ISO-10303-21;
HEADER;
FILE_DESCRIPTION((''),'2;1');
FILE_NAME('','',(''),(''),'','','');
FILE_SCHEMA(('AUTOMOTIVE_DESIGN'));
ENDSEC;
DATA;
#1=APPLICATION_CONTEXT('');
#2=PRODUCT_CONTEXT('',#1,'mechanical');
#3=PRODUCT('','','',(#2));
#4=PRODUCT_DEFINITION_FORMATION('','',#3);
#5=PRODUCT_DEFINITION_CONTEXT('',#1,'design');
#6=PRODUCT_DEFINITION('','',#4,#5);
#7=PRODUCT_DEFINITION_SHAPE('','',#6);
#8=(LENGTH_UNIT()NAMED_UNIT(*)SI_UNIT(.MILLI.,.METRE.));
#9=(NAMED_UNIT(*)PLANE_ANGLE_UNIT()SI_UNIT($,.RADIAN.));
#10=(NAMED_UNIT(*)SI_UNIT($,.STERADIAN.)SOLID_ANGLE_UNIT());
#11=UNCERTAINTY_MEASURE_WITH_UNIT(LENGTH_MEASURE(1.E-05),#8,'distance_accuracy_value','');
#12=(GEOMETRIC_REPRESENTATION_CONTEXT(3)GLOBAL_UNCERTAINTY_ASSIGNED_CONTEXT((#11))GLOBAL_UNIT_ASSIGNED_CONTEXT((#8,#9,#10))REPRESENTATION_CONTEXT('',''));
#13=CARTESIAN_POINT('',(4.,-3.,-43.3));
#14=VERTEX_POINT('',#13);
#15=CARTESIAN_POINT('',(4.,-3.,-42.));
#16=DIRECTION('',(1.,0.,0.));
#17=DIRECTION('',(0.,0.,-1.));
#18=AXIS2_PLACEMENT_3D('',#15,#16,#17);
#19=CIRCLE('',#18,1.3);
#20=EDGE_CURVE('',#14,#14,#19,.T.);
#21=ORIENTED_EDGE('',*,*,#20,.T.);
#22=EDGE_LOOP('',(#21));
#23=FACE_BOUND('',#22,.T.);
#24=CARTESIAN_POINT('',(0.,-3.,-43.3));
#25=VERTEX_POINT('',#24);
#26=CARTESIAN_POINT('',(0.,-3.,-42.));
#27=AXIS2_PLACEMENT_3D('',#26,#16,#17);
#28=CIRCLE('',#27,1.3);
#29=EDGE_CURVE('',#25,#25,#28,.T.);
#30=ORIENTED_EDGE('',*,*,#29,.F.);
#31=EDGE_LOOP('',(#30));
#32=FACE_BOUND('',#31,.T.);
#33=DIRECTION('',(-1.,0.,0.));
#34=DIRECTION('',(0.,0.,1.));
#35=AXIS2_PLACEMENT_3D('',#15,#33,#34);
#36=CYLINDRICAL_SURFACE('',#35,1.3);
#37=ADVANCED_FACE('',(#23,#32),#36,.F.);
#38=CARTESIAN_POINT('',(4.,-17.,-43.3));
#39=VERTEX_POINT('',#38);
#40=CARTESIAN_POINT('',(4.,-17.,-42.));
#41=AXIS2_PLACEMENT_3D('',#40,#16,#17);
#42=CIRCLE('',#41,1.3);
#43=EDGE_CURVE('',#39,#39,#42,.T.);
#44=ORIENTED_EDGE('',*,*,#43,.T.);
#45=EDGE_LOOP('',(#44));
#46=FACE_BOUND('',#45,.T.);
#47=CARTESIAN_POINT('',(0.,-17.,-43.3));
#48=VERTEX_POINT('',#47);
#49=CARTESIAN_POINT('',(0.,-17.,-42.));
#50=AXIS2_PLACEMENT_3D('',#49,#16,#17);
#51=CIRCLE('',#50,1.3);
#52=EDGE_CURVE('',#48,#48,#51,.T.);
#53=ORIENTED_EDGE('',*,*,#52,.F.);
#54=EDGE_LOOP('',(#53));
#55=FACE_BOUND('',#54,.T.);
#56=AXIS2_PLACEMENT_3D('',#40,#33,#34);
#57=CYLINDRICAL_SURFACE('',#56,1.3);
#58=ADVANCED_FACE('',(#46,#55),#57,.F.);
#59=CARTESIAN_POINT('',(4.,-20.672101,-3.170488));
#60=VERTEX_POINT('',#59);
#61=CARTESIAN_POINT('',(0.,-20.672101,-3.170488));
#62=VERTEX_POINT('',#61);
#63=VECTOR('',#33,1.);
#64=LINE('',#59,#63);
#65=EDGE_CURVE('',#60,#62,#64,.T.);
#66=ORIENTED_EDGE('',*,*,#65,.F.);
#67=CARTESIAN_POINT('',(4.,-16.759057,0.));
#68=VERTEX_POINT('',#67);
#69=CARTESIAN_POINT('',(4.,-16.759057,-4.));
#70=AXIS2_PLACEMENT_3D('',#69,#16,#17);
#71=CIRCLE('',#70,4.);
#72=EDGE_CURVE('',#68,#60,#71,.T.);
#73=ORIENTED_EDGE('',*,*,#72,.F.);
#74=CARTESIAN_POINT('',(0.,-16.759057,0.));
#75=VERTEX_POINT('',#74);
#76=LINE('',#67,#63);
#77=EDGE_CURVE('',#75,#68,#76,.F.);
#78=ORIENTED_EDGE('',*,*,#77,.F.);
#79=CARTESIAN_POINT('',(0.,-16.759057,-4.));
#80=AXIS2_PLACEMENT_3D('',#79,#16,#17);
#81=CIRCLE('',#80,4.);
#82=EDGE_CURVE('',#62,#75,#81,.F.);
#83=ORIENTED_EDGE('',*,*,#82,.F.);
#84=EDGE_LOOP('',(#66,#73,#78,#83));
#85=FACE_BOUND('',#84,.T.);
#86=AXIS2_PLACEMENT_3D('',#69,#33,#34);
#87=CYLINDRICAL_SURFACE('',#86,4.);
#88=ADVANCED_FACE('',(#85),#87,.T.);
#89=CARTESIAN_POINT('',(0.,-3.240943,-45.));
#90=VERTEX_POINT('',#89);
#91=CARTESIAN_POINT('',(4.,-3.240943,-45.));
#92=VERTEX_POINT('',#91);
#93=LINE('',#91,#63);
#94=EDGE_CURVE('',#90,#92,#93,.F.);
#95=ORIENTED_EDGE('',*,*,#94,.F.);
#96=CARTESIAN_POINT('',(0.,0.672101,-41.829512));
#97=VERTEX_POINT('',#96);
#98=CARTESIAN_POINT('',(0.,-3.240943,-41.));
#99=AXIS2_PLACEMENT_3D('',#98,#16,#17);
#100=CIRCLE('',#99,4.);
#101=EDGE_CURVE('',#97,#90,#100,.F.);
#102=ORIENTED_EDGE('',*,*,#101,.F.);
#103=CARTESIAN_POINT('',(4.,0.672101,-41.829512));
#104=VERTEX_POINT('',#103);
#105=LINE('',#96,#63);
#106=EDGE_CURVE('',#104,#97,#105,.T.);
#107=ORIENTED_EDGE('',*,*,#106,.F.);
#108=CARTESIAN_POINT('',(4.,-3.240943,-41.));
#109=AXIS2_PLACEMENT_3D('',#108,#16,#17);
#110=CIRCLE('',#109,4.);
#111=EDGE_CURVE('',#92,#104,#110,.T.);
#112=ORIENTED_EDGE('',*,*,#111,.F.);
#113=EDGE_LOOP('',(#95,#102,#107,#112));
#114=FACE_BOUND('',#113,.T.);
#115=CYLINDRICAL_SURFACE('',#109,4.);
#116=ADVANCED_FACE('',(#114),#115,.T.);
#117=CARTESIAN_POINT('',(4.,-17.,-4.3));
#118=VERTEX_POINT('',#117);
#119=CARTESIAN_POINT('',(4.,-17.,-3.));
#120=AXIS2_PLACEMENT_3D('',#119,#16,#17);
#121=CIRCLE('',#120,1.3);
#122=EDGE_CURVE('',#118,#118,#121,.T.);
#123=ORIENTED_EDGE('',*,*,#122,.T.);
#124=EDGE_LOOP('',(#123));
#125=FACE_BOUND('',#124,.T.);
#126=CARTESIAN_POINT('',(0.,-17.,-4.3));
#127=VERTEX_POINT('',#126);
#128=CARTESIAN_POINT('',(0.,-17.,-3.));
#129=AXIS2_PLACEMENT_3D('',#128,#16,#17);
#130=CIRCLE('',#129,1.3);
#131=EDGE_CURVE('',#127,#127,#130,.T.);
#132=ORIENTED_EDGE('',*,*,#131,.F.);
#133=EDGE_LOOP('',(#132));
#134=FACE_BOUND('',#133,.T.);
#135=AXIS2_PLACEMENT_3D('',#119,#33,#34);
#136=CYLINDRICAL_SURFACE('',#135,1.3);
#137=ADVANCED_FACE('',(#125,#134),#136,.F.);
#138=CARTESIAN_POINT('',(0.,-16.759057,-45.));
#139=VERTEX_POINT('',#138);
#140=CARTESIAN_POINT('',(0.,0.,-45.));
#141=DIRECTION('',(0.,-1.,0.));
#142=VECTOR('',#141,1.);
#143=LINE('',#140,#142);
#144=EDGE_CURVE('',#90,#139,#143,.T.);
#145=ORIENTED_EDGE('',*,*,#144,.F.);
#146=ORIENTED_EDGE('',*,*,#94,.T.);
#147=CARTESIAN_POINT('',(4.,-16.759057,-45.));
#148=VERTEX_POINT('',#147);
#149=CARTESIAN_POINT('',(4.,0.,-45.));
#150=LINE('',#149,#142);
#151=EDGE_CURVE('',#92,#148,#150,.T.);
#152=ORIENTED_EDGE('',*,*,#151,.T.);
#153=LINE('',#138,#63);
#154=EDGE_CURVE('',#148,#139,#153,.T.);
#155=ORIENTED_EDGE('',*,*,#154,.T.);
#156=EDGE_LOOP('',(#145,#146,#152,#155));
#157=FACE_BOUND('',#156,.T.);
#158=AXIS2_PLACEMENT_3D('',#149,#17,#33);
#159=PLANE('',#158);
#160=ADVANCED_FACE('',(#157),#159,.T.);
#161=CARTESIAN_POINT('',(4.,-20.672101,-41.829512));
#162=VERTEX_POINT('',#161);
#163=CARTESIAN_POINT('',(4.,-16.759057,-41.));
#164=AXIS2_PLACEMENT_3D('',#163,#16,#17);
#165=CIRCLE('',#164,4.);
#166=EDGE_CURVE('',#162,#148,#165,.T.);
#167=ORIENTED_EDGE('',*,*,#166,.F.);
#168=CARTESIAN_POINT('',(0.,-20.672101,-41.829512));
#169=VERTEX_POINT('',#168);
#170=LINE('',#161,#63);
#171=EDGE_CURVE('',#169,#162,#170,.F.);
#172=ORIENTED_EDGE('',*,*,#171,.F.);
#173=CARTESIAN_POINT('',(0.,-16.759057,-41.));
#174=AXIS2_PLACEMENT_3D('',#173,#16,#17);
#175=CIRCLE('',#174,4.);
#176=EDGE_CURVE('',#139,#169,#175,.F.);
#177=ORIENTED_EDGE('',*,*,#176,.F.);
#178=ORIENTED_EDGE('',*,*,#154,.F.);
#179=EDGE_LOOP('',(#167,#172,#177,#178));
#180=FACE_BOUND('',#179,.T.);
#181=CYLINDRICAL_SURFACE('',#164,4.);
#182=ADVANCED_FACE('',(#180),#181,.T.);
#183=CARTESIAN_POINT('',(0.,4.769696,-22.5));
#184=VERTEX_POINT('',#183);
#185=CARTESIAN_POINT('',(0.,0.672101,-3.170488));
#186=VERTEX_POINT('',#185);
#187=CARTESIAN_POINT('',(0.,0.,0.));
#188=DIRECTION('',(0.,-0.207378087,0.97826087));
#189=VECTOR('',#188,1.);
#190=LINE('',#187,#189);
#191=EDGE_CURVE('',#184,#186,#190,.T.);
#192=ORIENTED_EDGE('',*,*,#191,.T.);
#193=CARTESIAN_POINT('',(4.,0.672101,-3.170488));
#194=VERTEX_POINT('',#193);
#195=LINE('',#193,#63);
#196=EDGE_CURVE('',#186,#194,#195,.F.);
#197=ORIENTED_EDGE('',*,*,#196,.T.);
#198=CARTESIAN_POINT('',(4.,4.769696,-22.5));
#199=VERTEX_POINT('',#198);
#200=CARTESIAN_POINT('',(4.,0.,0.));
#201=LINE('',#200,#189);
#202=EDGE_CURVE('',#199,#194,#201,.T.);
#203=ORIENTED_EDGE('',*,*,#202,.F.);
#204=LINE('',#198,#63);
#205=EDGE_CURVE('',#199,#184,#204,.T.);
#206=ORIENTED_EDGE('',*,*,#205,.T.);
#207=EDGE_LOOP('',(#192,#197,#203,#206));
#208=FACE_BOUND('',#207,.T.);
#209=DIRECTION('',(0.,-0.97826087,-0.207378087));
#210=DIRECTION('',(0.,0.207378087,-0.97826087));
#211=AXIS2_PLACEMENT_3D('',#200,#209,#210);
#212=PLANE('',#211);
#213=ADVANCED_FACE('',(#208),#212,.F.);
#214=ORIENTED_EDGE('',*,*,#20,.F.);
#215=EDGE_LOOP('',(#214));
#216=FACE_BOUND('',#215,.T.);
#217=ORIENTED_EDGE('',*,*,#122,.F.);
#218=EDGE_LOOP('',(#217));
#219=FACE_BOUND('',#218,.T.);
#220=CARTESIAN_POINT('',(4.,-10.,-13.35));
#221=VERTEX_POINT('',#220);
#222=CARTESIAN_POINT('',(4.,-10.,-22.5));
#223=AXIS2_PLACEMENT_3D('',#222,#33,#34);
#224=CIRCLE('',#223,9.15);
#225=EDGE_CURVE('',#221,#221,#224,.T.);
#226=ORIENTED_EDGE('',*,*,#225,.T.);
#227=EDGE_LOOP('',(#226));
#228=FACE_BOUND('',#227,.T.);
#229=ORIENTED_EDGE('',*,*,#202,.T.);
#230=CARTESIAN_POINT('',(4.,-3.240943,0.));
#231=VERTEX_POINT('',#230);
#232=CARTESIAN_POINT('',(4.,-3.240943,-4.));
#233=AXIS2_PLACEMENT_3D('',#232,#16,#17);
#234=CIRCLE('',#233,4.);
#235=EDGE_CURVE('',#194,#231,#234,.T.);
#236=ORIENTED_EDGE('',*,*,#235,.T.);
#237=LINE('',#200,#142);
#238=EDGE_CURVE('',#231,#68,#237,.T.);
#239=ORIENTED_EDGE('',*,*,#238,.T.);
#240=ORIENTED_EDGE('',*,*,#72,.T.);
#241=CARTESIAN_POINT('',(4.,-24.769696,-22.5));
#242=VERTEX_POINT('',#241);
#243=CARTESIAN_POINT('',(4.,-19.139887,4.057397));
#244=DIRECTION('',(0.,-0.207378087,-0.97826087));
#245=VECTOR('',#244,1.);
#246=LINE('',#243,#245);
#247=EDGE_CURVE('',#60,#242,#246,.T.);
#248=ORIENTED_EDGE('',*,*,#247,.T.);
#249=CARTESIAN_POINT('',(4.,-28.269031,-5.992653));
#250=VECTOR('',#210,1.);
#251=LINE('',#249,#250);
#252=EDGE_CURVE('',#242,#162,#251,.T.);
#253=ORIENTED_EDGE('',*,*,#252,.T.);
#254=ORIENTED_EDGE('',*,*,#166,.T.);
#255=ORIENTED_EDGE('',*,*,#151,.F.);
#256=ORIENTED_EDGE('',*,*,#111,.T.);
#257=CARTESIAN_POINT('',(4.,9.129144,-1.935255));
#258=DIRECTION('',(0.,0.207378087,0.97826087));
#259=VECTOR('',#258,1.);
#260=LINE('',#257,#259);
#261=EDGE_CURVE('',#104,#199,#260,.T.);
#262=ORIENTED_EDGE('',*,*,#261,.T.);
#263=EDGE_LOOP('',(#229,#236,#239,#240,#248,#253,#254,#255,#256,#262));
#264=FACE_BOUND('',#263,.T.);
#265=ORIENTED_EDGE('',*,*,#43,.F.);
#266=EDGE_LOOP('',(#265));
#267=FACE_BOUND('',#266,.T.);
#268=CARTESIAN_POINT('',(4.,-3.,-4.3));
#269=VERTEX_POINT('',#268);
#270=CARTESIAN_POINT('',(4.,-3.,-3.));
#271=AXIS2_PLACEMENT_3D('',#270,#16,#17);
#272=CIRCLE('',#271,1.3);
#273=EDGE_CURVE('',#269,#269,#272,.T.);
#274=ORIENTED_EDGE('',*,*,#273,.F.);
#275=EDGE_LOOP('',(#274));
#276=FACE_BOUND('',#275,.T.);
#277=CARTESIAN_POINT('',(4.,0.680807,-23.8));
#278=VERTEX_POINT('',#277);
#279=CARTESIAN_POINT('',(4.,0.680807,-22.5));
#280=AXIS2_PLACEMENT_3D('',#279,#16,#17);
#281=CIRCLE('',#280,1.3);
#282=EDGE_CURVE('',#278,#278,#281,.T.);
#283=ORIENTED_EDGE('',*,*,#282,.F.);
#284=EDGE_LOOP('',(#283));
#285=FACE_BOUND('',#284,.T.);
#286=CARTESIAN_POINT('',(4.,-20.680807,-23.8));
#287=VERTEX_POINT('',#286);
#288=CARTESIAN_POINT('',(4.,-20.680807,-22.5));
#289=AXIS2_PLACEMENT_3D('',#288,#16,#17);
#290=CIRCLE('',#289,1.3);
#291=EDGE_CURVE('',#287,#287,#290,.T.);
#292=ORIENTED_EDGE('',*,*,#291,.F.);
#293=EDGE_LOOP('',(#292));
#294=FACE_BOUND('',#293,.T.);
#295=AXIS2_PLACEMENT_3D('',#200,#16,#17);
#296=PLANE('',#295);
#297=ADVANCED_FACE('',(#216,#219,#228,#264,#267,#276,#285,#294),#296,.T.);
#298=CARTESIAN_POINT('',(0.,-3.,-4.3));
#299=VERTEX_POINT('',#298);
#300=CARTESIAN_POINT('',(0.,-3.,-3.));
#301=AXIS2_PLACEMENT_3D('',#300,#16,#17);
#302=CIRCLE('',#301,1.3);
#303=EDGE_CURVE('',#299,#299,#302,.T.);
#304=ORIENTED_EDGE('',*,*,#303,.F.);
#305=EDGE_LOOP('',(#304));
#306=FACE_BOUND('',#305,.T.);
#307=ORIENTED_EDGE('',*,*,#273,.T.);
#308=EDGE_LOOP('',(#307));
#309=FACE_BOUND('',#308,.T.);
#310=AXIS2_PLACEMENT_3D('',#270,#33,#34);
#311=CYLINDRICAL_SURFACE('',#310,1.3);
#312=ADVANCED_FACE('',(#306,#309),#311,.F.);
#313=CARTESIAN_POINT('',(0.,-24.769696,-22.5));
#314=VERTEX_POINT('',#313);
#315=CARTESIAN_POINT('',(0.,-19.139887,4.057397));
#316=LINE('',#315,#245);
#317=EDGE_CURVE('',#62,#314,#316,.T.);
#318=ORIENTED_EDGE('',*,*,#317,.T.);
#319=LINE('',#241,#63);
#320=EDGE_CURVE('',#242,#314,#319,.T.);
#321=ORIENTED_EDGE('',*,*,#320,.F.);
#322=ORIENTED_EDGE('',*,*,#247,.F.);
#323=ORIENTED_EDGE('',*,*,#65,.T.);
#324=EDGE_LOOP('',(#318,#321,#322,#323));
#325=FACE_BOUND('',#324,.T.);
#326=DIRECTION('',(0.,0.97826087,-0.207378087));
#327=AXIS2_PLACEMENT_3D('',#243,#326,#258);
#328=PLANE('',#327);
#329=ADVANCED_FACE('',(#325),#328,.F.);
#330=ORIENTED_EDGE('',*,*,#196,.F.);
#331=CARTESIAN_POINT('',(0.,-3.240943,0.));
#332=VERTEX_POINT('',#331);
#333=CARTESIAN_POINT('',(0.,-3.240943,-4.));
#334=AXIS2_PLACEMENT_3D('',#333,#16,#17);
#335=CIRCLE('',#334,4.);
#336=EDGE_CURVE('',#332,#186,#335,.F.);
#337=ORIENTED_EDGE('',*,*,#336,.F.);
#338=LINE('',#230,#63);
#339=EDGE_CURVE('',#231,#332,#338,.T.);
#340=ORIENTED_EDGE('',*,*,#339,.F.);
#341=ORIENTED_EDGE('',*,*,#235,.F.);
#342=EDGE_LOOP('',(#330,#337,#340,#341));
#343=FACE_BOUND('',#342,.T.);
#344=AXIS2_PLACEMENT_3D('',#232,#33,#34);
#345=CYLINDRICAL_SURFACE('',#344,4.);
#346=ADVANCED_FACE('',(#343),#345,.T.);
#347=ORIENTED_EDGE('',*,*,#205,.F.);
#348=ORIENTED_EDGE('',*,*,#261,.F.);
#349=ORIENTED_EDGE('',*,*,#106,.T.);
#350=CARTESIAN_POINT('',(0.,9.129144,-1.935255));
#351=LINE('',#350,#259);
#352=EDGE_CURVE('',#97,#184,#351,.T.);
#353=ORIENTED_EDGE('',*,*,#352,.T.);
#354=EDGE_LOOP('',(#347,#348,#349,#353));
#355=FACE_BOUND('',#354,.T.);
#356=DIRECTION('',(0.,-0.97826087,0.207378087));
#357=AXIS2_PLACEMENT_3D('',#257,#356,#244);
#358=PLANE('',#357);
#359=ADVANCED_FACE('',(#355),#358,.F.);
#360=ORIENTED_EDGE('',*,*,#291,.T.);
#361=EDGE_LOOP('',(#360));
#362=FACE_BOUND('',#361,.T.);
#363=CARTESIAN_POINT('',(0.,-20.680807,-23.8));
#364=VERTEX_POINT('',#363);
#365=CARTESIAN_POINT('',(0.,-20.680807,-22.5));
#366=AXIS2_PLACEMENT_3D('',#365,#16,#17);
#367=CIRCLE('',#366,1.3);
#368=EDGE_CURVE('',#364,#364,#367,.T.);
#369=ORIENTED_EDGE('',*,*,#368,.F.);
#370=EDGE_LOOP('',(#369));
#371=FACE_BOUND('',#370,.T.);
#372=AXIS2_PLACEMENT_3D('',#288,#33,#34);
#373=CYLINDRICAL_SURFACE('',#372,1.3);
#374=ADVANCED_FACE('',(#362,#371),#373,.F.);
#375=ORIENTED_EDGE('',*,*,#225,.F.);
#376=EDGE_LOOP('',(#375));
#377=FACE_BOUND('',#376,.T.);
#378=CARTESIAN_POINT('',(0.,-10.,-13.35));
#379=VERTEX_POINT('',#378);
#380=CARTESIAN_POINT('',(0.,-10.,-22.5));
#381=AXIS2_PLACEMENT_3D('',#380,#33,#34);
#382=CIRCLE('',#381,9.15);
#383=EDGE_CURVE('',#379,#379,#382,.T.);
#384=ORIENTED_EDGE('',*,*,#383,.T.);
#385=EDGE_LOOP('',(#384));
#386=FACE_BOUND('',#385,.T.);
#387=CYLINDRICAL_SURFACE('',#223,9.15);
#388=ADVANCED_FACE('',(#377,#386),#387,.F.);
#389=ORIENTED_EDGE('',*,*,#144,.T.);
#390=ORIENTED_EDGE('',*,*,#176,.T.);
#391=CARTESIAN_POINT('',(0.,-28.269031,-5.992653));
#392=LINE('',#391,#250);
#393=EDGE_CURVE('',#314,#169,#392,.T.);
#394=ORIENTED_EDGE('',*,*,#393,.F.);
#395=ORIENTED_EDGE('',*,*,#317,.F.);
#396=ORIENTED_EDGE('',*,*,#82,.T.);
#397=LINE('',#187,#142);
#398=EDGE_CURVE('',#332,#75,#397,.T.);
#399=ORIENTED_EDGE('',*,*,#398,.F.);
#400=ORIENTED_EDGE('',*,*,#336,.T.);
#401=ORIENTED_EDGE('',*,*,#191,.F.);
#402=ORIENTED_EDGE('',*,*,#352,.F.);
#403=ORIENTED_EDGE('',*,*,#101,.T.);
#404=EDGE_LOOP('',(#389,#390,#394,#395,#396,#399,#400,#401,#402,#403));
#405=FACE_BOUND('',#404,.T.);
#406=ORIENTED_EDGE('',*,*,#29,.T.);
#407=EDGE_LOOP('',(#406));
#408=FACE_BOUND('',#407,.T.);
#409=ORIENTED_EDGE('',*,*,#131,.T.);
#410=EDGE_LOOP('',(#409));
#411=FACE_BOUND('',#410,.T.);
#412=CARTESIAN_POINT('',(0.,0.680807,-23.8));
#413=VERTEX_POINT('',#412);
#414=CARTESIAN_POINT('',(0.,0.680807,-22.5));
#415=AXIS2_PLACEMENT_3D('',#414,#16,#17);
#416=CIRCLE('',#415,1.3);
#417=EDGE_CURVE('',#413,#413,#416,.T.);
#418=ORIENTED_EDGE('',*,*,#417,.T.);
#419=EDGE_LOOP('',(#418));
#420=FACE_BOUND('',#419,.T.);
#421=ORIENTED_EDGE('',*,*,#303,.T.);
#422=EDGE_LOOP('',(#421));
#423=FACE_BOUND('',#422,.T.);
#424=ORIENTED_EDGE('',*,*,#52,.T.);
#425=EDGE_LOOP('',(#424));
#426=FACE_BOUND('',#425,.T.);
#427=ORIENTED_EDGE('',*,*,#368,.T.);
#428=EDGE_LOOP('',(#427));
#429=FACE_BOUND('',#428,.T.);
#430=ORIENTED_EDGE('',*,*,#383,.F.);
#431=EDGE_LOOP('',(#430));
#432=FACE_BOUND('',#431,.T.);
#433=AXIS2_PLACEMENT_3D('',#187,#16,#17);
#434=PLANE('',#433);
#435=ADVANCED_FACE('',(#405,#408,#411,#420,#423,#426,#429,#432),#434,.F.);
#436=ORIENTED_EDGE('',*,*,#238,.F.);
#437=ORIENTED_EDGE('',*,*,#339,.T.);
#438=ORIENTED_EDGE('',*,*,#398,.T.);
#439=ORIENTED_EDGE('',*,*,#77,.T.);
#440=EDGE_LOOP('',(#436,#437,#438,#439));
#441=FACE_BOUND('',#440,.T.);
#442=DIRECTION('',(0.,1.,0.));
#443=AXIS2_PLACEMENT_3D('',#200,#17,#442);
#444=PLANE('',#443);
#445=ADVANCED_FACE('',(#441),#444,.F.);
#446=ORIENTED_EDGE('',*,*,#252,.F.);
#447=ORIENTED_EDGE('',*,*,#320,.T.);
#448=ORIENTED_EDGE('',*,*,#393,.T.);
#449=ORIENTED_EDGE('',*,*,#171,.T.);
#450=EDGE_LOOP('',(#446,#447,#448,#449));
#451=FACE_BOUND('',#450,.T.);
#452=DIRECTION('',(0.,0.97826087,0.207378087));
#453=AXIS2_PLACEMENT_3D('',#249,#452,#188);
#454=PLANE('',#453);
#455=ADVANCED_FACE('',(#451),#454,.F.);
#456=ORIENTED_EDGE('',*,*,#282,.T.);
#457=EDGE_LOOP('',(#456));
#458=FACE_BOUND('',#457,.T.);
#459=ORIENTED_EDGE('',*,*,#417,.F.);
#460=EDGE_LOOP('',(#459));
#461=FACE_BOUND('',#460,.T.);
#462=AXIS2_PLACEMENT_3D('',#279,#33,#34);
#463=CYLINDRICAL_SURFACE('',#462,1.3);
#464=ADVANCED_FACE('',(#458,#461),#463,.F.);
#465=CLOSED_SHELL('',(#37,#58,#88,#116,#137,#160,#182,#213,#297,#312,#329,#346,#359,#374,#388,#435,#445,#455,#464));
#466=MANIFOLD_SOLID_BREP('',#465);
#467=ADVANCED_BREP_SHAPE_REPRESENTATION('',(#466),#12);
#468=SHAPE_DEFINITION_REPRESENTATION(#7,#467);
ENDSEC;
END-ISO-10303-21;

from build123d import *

# Parameters (mm, degrees)
SKETCH1_R           = 1.3
BOSS_EXTRUDE1_DEPTH = 4
SKETCH2_R           = 9.15
CUT_EXTRUDE1_DEPTH  = 52.522207254
FILLET1_R           = 4


with BuildPart() as part:
    # Sketch1 → Boss-Extrude1 (new body)
    with BuildSketch(Plane(origin=(0, 0, 0), x_dir=(0, 0, -1), z_dir=(1, 0, 0))):
        Polygon((45, 0), (22.5, 4.769696007), (0, 0), (0, -20), (22.5, -24.769696007), (45, -20), align=None)
        with Locations((22.5, 0.680807118)):
            Circle(SKETCH1_R, mode=Mode.SUBTRACT)
        with Locations((22.5, -20.680807118)):
            Circle(SKETCH1_R, mode=Mode.SUBTRACT)
        with Locations((42, -3)):
            Circle(SKETCH1_R, mode=Mode.SUBTRACT)
        with Locations((3, -3)):
            Circle(SKETCH1_R, mode=Mode.SUBTRACT)
        with Locations((3, -17)):
            Circle(SKETCH1_R, mode=Mode.SUBTRACT)
        with Locations((42, -17)):
            Circle(SKETCH1_R, mode=Mode.SUBTRACT)
    extrude(amount=BOSS_EXTRUDE1_DEPTH)

    # Sketch2 → Cut-Extrude1 (cut, through all)
    with BuildSketch(Plane.ZY):
        with Locations((-22.5, -10)):
            Circle(SKETCH2_R)
    extrude(amount=-CUT_EXTRUDE1_DEPTH, mode=Mode.SUBTRACT)

    # Fillet1
    fillet1_edges = [part.edges().sort_by_distance(p)[0] for p in [
        (2, -20, 0),
        (2, 0, 0),
        (2, 0, -45),
        (2, -20, -45),
    ]]
    fillet(fillet1_edges, radius=FILLET1_R)


solid = part.part
